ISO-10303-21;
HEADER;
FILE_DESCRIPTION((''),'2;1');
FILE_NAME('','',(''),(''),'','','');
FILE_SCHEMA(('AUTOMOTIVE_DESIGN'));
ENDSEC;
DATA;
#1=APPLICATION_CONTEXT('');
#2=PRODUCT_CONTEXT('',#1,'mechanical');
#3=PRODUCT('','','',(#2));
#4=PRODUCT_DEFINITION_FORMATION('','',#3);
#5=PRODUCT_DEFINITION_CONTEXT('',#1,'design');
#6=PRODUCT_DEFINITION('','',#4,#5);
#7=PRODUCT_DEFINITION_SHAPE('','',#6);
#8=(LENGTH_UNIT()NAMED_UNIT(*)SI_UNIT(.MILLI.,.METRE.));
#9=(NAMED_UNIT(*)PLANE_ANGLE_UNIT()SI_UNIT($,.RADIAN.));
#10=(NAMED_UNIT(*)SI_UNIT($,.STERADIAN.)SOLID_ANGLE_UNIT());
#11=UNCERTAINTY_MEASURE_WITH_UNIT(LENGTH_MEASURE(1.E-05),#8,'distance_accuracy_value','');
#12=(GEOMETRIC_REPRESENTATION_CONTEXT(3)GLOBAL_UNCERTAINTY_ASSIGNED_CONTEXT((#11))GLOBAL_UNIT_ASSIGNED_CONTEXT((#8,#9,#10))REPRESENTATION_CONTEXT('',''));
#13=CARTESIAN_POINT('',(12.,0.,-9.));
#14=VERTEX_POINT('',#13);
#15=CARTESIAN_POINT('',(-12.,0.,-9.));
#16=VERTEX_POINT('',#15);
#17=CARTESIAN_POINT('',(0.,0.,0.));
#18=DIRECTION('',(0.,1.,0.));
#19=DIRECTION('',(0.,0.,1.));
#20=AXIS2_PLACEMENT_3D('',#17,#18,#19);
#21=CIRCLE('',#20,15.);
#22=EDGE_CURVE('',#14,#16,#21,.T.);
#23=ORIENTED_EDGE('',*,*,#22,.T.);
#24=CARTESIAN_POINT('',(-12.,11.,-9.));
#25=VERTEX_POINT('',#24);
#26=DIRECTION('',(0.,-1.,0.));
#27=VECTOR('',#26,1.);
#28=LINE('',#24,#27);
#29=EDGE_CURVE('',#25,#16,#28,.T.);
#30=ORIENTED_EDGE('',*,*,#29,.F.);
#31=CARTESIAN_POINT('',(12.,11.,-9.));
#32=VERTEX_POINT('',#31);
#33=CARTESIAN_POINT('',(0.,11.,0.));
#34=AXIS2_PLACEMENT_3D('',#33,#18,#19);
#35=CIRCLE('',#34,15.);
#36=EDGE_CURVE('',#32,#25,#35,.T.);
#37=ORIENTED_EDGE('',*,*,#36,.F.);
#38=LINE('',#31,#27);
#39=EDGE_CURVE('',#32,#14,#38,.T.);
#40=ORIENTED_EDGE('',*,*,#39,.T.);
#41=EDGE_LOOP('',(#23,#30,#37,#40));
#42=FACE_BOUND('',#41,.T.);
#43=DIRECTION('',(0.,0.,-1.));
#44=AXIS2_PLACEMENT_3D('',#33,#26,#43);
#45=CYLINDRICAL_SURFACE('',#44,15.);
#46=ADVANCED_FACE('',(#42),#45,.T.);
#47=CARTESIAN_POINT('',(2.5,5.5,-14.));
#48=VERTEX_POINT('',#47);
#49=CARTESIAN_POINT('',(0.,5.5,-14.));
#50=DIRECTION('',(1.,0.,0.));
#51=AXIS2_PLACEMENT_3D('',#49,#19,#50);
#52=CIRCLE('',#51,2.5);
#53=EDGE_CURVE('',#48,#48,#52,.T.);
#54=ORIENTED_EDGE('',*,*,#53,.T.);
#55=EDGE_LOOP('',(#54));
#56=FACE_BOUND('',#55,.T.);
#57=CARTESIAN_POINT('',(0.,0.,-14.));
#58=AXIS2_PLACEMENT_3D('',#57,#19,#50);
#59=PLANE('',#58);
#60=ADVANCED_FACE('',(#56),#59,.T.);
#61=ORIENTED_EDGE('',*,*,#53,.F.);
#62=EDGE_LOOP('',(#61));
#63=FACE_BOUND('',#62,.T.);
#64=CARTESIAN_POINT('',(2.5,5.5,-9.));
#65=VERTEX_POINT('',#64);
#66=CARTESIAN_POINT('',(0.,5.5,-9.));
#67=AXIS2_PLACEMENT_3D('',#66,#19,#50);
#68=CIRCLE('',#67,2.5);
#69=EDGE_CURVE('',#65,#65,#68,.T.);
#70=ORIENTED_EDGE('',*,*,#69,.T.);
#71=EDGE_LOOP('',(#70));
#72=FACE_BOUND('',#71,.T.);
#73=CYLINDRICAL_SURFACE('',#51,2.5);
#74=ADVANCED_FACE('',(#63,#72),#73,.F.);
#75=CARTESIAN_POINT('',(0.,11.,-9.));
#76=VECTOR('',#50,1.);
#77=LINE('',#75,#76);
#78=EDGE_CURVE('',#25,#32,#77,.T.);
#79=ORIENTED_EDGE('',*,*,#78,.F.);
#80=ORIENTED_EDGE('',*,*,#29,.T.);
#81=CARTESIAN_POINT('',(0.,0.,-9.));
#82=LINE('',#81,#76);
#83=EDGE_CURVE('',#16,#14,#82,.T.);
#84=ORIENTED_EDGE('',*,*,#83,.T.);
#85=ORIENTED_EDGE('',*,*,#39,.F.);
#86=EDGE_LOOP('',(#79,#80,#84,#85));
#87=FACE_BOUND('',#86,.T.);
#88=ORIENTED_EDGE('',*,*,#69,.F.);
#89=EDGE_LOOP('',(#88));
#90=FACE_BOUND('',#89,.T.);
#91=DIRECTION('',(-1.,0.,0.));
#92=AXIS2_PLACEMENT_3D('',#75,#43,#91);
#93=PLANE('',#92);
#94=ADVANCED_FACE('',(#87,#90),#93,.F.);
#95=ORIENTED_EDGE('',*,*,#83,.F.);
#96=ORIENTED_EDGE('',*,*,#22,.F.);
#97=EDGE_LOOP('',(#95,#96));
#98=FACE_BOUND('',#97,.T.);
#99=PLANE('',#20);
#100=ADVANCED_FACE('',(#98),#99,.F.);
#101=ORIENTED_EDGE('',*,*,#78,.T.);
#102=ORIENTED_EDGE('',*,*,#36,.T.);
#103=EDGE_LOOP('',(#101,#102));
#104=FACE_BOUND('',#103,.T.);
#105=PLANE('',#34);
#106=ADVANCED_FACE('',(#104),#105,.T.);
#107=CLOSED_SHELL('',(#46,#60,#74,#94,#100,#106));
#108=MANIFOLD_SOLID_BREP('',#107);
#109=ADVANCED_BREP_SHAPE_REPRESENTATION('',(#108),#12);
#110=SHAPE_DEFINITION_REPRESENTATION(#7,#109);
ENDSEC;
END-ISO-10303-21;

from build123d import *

# Parameters (mm, degrees)
EXTRUDE_1_DEPTH     = 11
CUT_EXTRUDE_2_DEPTH = 5


with BuildPart() as part:
    # 草图2 → 凸台-拉伸1 (new body)
    with BuildSketch(Plane(origin=(0, 0, 0), x_dir=(1, 0, 0), z_dir=(0, 1, 0))):
        with BuildLine():
            Line((-12, 9), (0, 9))
            Line((0, 9), (12, 9))
            ThreePointArc((12, 9), (0, 15), (-12, 9))
        make_face()
    extrude(amount=EXTRUDE_1_DEPTH)

    # 草图3 → 切除-拉伸2 (cut)
    with BuildSketch(Plane.XY.offset(-9)):
        with BuildLine():
            ThreePointArc((0, 8), (-2.5, 5.5), (0, 3))
            Line((0, 3), (0, 8))
        make_face()
        with BuildLine():
            Line((0, 8), (0, 3))
            ThreePointArc((0, 3), (1.767766953, 3.732233047), (2.5, 5.5))
            ThreePointArc((2.5, 5.5), (1.767766953, 7.267766953), (0, 8))
        make_face()
    extrude(amount=-CUT_EXTRUDE_2_DEPTH, mode=Mode.SUBTRACT)


solid = part.part
